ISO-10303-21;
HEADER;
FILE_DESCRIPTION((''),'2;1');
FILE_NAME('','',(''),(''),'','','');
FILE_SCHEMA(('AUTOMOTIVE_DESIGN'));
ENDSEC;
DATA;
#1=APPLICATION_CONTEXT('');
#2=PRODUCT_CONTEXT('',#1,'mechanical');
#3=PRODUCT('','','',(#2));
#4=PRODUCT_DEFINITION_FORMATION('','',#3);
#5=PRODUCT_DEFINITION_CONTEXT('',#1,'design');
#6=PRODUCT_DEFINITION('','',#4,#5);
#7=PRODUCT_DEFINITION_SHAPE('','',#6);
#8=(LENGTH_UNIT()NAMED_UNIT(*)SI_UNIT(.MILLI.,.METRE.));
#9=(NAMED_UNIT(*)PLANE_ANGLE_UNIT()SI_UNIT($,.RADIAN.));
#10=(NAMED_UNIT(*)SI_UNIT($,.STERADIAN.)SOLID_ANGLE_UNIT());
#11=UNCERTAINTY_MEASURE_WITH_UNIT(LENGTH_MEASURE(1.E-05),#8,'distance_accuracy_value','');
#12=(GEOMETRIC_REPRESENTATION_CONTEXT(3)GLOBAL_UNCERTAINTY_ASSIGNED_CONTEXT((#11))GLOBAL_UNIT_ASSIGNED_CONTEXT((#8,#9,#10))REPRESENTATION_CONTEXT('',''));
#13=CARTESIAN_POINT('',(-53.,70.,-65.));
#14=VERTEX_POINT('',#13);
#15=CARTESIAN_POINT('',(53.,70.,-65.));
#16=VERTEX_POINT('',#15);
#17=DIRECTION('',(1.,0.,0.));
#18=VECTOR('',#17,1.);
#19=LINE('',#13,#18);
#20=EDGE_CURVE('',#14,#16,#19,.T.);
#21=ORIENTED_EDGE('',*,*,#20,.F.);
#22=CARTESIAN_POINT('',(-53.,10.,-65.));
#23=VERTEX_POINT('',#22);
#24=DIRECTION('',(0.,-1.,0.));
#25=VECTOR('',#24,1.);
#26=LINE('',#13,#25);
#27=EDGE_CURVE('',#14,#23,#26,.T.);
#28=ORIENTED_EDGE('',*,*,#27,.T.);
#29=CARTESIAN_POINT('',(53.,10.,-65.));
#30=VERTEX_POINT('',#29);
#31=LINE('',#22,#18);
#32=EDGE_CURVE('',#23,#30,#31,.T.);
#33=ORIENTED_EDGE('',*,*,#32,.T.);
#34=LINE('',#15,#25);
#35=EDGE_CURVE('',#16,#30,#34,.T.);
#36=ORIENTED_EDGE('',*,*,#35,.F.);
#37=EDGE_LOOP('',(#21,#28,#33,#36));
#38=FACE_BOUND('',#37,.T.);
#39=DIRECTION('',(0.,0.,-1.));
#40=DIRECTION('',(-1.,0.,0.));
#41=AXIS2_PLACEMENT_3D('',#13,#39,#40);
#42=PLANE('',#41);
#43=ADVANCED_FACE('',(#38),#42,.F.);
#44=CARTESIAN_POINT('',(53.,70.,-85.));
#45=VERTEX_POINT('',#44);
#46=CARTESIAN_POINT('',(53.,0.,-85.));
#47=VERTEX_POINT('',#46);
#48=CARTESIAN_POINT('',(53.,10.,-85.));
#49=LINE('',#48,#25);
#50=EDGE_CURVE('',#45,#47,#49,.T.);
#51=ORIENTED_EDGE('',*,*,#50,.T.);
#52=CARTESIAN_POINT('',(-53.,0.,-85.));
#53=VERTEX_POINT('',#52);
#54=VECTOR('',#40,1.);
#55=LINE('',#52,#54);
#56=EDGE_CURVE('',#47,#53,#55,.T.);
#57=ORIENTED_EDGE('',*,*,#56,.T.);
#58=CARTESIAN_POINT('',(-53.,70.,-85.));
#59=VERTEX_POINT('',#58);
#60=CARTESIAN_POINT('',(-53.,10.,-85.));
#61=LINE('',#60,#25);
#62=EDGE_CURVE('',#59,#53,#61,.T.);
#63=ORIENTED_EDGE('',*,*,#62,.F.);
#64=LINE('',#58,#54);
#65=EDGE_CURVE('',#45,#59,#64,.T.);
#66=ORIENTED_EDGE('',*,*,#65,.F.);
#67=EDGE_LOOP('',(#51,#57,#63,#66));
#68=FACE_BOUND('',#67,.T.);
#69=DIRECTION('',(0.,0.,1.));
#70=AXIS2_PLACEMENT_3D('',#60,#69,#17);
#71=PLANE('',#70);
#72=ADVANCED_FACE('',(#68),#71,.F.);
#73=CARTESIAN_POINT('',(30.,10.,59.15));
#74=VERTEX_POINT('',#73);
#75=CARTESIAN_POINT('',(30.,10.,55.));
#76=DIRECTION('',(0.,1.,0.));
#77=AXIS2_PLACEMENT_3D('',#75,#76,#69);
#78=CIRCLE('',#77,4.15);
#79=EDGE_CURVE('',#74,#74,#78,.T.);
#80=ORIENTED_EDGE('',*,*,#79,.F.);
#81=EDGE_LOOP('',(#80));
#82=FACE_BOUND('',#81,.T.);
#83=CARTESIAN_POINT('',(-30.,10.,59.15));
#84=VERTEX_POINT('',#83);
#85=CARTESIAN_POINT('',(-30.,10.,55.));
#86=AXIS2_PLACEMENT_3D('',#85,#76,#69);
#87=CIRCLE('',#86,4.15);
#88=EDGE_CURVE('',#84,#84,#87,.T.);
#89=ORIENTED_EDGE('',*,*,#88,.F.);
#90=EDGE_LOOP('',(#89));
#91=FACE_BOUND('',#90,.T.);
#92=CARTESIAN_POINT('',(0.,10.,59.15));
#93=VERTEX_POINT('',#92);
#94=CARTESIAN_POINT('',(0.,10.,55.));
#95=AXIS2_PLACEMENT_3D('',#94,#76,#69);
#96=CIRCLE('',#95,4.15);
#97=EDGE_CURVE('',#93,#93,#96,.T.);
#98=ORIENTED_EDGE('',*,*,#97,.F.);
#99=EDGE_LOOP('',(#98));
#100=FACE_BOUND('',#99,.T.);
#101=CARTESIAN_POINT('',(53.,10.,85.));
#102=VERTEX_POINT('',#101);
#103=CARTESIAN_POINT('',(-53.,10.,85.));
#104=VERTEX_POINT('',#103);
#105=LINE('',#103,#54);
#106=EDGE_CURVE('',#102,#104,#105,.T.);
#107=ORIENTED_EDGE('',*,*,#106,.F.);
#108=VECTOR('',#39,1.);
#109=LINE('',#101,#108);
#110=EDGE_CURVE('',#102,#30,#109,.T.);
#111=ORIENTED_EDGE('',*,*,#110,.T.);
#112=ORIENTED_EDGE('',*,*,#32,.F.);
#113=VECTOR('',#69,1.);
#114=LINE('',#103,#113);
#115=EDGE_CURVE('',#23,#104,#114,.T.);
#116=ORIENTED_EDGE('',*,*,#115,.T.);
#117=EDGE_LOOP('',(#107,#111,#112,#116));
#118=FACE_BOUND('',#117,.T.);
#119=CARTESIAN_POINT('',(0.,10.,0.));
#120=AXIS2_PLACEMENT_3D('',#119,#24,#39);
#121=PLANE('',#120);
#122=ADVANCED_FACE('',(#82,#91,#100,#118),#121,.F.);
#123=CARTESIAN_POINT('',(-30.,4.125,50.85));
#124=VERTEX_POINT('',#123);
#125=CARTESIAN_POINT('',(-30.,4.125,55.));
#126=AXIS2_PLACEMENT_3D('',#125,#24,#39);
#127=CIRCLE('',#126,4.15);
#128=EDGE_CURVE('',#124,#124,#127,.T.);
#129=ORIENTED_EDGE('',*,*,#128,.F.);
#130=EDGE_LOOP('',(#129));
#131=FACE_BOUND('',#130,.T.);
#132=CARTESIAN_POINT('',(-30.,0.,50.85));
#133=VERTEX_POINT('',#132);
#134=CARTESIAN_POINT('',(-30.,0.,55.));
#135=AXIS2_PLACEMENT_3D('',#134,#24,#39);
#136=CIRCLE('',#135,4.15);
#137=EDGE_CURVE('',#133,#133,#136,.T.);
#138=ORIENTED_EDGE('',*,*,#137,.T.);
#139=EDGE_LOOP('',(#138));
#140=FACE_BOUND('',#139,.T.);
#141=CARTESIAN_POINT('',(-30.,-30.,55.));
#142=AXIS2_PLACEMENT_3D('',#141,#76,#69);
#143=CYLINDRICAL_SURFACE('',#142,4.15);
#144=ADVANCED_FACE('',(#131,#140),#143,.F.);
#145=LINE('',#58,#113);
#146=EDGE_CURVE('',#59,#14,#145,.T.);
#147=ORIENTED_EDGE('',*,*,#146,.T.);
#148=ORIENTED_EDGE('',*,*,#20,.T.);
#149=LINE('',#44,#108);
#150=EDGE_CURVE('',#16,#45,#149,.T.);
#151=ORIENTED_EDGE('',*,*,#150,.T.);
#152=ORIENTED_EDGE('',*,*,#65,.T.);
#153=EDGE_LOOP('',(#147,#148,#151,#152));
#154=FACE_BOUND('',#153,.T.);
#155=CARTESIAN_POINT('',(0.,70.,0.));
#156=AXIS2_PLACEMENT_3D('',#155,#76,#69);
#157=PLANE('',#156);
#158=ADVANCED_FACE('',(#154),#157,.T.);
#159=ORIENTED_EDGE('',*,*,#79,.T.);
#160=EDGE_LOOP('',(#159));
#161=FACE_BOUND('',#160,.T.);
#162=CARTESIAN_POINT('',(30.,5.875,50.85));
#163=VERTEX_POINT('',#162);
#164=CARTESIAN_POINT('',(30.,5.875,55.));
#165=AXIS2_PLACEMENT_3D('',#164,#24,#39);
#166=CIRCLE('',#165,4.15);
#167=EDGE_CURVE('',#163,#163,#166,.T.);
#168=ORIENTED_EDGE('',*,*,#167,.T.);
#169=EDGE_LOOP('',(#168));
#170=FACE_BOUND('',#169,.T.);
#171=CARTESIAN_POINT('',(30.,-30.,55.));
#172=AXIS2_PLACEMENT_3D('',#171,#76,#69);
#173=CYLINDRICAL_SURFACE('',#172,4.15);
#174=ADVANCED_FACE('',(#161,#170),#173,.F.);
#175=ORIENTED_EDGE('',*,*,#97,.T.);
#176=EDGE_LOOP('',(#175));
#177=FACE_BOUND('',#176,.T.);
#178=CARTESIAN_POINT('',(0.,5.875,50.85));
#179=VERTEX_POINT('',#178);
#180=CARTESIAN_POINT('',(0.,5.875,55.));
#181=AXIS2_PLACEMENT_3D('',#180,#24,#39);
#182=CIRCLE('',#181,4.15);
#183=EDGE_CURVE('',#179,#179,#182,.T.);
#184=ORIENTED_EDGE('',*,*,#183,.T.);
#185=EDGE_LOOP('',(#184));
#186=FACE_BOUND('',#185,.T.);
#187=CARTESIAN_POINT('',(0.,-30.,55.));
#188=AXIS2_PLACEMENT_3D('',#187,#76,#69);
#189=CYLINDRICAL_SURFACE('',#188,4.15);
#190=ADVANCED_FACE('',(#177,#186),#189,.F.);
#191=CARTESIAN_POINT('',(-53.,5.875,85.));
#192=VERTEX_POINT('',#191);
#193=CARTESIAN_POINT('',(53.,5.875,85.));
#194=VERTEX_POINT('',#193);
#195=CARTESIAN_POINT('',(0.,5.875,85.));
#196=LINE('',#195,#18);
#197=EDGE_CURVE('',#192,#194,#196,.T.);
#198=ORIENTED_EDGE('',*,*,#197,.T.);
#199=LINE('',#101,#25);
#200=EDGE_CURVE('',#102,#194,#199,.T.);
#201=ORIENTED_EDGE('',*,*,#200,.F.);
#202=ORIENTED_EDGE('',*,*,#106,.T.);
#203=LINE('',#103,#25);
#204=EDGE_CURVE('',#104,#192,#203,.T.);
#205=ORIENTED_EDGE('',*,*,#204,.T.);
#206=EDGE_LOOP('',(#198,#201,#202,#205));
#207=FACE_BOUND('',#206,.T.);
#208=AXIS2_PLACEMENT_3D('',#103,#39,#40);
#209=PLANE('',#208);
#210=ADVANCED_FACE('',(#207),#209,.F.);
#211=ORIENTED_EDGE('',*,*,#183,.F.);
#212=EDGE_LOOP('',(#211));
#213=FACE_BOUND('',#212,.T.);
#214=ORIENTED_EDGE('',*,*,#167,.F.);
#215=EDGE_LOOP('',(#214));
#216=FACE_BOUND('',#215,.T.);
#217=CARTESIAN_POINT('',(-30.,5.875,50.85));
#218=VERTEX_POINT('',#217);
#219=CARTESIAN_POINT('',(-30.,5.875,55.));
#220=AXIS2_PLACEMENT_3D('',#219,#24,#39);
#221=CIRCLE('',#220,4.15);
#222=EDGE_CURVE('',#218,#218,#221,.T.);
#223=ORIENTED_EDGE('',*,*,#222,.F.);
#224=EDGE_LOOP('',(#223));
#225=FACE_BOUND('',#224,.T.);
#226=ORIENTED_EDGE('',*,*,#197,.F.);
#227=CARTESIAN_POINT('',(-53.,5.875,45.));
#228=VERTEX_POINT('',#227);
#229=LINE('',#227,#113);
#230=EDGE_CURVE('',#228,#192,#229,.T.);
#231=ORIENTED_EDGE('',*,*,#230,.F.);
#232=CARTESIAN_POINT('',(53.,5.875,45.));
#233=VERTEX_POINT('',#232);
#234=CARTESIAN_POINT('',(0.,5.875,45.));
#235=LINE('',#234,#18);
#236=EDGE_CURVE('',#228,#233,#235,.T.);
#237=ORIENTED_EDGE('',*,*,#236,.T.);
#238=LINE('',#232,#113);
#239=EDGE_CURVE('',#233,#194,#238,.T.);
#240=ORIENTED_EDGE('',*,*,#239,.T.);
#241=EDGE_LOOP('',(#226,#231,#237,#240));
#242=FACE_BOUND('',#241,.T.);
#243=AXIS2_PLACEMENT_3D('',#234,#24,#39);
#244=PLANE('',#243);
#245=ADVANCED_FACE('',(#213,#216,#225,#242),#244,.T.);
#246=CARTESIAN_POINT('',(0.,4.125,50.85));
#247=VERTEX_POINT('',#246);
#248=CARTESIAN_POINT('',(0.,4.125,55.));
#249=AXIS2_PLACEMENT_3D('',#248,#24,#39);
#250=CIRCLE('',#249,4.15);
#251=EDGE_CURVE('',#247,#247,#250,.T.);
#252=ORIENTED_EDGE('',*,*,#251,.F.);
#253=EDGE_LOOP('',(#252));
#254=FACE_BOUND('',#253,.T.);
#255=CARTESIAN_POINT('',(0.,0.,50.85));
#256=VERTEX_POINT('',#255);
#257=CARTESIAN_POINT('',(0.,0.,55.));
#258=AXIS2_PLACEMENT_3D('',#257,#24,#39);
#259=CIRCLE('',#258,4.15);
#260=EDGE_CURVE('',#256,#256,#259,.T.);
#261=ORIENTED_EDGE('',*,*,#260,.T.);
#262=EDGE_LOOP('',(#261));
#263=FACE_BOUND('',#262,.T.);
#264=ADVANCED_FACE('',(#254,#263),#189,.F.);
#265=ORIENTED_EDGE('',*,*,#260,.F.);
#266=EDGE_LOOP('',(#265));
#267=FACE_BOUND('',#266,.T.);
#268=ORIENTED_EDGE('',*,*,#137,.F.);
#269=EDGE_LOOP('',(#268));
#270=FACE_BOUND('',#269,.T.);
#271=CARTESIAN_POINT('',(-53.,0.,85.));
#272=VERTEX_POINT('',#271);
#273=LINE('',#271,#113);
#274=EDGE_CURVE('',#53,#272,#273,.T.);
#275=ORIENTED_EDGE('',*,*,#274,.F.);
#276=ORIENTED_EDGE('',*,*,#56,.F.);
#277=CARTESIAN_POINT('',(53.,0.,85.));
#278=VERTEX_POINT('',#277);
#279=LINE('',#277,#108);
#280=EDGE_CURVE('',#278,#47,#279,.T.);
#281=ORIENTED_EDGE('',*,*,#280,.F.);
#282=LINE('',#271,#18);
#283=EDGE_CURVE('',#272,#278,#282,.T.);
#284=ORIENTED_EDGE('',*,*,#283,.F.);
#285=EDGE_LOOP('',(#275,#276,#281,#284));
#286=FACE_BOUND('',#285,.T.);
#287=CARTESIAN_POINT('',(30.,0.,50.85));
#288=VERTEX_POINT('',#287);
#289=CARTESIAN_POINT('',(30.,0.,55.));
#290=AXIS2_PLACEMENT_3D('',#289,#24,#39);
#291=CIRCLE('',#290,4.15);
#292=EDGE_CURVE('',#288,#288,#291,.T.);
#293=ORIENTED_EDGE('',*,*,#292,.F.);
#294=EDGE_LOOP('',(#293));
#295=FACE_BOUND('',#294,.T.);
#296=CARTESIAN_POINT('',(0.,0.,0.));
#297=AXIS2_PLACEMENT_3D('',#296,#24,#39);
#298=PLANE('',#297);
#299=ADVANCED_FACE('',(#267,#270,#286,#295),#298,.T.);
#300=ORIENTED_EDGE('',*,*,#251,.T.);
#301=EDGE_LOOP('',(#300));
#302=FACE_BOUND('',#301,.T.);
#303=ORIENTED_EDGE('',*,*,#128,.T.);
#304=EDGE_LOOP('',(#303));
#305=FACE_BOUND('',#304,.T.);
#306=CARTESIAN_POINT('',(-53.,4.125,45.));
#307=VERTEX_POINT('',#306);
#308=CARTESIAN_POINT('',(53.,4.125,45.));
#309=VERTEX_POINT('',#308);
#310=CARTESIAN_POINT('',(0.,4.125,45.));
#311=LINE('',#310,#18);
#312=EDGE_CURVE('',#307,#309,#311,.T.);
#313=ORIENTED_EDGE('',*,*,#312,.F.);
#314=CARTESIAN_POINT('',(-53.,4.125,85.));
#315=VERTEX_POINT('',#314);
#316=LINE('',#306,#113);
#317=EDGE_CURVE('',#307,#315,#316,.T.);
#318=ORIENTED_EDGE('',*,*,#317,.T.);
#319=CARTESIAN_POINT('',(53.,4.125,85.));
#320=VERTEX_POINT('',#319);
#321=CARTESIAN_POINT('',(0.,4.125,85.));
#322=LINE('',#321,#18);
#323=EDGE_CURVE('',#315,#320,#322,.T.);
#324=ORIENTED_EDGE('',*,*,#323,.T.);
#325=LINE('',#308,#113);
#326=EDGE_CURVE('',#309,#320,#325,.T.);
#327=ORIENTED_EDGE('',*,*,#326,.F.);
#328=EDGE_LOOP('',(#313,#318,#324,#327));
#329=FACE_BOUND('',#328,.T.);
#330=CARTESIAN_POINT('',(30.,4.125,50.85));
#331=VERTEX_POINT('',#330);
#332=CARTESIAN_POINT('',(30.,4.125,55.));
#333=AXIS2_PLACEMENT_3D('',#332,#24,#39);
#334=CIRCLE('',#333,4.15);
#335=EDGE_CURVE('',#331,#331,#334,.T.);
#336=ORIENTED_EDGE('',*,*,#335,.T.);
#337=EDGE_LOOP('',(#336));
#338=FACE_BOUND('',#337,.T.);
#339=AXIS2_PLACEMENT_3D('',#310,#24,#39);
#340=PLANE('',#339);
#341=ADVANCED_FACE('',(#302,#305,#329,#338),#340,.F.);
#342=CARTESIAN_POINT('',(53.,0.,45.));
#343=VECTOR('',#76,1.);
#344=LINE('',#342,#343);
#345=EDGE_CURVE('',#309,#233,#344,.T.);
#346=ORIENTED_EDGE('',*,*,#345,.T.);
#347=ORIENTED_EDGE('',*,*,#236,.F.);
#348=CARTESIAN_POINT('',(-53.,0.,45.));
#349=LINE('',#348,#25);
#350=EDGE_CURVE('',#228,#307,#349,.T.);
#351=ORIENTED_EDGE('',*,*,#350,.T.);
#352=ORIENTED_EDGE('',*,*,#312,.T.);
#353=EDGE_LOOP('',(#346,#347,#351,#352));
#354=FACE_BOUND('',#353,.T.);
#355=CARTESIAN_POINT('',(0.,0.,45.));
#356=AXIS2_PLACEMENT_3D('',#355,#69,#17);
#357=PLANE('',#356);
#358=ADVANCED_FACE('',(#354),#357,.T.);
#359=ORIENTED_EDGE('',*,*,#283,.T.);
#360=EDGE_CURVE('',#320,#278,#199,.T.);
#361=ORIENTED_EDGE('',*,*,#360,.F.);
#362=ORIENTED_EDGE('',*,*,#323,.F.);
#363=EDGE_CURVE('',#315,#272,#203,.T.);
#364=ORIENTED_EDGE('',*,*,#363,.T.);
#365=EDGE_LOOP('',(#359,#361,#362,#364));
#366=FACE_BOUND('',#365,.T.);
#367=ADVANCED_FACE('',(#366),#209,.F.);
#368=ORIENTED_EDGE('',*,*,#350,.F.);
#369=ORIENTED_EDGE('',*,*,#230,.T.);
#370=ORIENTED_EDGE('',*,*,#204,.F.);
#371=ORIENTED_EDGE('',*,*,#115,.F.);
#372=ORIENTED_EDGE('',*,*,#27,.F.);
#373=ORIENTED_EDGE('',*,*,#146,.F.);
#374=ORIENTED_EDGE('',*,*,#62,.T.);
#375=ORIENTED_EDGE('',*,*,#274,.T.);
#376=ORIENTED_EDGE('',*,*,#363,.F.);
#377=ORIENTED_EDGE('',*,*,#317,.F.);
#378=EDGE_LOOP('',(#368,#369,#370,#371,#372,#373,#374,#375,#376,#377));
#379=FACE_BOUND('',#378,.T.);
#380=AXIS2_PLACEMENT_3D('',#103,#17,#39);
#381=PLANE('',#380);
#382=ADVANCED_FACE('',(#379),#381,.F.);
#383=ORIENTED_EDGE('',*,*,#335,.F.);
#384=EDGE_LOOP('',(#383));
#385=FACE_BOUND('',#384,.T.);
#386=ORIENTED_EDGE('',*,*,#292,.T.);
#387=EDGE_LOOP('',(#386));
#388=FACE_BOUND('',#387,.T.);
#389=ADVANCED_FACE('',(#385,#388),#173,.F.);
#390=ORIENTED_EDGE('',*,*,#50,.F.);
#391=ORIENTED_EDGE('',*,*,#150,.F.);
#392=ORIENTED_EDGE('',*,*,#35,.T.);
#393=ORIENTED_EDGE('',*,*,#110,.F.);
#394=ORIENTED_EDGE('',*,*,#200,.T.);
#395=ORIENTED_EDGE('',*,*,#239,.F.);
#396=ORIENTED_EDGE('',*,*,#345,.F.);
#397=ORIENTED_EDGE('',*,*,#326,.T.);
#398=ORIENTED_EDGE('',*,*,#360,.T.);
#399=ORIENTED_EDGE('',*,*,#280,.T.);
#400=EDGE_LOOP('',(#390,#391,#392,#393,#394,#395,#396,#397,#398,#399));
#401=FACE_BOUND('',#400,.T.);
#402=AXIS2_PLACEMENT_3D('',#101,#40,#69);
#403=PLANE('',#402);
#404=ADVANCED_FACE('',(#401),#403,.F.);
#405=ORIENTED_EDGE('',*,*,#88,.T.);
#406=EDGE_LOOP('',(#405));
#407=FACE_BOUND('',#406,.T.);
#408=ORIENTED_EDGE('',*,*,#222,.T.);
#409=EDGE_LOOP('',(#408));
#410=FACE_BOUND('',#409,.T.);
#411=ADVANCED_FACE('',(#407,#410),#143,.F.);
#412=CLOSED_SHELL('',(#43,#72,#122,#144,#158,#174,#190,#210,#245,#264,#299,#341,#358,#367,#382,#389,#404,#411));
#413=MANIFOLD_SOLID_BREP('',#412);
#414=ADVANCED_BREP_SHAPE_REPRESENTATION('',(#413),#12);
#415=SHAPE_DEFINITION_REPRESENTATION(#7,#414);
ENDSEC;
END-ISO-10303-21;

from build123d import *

# Parameters (mm, degrees)
SKETCH4_W           = 106
SKETCH4_H           = 170
BOSS_EXTRUDE4_DEPTH = 10
SKETCH5_W           = 106
SKETCH5_H           = 20
BOSS_EXTRUDE5_DEPTH = 60
SKETCH6_W           = 106
SKETCH6_H           = 1.75
CUT_EXTRUDE2_DEPTH  = 40
SKETCH7_R           = 4.15
CUT_EXTRUDE3_DEPTH  = 40
SKETCH8_W           = 106
SKETCH8_H           = 60
CUT_EXTRUDE4_DEPTH  = 40


with BuildPart() as part:
    # Sketch4 → Boss-Extrude4 (new body)
    with BuildSketch(Plane(origin=(0, 0, 0), x_dir=(1, 0, 0), z_dir=(0, 1, 0))):
        Rectangle(SKETCH4_W, SKETCH4_H)
    extrude(amount=BOSS_EXTRUDE4_DEPTH)

    # Sketch5 → Boss-Extrude5 (add)
    with BuildSketch(Plane(origin=(0, 10, 0), x_dir=(1, 0, 0), z_dir=(0, 1, 0))):
        with Locations((0, 75)):
            Rectangle(SKETCH5_W, SKETCH5_H)
        with Locations((0, -75)):
            Rectangle(SKETCH5_W, SKETCH5_H)
    extrude(amount=BOSS_EXTRUDE5_DEPTH)

    # Sketch6 → Cut-Extrude2 (cut)
    with BuildSketch(Plane.XY.offset(85)):
        with Locations((0, 5)):
            Rectangle(SKETCH6_W, SKETCH6_H)
    extrude(amount=-CUT_EXTRUDE2_DEPTH, mode=Mode.SUBTRACT)

    # Sketch7 → Cut-Extrude3 (cut)
    with BuildSketch(Plane(origin=(0, 10, 0), x_dir=(1, 0, 0), z_dir=(0, 1, 0))):
        with Locations(Location((0, -55, 0), (0, 0, 90))):
            Circle(SKETCH7_R)
        with Locations(Location((30, -55, 0), (0, 0, 90))):
            Circle(SKETCH7_R)
        with Locations(Location((-30, -55, 0), (0, 0, 90))):
            Circle(SKETCH7_R)
    extrude(amount=-CUT_EXTRUDE3_DEPTH, mode=Mode.SUBTRACT)

    # Sketch8 → Cut-Extrude4 (cut)
    with BuildSketch(Plane(origin=(0, 0, 65), x_dir=(-1, 0, 0), z_dir=(0, 0, -1))):
        with Locations((0, 40)):
            Rectangle(SKETCH8_W, SKETCH8_H)
    extrude(amount=-CUT_EXTRUDE4_DEPTH, mode=Mode.SUBTRACT)


solid = part.part
